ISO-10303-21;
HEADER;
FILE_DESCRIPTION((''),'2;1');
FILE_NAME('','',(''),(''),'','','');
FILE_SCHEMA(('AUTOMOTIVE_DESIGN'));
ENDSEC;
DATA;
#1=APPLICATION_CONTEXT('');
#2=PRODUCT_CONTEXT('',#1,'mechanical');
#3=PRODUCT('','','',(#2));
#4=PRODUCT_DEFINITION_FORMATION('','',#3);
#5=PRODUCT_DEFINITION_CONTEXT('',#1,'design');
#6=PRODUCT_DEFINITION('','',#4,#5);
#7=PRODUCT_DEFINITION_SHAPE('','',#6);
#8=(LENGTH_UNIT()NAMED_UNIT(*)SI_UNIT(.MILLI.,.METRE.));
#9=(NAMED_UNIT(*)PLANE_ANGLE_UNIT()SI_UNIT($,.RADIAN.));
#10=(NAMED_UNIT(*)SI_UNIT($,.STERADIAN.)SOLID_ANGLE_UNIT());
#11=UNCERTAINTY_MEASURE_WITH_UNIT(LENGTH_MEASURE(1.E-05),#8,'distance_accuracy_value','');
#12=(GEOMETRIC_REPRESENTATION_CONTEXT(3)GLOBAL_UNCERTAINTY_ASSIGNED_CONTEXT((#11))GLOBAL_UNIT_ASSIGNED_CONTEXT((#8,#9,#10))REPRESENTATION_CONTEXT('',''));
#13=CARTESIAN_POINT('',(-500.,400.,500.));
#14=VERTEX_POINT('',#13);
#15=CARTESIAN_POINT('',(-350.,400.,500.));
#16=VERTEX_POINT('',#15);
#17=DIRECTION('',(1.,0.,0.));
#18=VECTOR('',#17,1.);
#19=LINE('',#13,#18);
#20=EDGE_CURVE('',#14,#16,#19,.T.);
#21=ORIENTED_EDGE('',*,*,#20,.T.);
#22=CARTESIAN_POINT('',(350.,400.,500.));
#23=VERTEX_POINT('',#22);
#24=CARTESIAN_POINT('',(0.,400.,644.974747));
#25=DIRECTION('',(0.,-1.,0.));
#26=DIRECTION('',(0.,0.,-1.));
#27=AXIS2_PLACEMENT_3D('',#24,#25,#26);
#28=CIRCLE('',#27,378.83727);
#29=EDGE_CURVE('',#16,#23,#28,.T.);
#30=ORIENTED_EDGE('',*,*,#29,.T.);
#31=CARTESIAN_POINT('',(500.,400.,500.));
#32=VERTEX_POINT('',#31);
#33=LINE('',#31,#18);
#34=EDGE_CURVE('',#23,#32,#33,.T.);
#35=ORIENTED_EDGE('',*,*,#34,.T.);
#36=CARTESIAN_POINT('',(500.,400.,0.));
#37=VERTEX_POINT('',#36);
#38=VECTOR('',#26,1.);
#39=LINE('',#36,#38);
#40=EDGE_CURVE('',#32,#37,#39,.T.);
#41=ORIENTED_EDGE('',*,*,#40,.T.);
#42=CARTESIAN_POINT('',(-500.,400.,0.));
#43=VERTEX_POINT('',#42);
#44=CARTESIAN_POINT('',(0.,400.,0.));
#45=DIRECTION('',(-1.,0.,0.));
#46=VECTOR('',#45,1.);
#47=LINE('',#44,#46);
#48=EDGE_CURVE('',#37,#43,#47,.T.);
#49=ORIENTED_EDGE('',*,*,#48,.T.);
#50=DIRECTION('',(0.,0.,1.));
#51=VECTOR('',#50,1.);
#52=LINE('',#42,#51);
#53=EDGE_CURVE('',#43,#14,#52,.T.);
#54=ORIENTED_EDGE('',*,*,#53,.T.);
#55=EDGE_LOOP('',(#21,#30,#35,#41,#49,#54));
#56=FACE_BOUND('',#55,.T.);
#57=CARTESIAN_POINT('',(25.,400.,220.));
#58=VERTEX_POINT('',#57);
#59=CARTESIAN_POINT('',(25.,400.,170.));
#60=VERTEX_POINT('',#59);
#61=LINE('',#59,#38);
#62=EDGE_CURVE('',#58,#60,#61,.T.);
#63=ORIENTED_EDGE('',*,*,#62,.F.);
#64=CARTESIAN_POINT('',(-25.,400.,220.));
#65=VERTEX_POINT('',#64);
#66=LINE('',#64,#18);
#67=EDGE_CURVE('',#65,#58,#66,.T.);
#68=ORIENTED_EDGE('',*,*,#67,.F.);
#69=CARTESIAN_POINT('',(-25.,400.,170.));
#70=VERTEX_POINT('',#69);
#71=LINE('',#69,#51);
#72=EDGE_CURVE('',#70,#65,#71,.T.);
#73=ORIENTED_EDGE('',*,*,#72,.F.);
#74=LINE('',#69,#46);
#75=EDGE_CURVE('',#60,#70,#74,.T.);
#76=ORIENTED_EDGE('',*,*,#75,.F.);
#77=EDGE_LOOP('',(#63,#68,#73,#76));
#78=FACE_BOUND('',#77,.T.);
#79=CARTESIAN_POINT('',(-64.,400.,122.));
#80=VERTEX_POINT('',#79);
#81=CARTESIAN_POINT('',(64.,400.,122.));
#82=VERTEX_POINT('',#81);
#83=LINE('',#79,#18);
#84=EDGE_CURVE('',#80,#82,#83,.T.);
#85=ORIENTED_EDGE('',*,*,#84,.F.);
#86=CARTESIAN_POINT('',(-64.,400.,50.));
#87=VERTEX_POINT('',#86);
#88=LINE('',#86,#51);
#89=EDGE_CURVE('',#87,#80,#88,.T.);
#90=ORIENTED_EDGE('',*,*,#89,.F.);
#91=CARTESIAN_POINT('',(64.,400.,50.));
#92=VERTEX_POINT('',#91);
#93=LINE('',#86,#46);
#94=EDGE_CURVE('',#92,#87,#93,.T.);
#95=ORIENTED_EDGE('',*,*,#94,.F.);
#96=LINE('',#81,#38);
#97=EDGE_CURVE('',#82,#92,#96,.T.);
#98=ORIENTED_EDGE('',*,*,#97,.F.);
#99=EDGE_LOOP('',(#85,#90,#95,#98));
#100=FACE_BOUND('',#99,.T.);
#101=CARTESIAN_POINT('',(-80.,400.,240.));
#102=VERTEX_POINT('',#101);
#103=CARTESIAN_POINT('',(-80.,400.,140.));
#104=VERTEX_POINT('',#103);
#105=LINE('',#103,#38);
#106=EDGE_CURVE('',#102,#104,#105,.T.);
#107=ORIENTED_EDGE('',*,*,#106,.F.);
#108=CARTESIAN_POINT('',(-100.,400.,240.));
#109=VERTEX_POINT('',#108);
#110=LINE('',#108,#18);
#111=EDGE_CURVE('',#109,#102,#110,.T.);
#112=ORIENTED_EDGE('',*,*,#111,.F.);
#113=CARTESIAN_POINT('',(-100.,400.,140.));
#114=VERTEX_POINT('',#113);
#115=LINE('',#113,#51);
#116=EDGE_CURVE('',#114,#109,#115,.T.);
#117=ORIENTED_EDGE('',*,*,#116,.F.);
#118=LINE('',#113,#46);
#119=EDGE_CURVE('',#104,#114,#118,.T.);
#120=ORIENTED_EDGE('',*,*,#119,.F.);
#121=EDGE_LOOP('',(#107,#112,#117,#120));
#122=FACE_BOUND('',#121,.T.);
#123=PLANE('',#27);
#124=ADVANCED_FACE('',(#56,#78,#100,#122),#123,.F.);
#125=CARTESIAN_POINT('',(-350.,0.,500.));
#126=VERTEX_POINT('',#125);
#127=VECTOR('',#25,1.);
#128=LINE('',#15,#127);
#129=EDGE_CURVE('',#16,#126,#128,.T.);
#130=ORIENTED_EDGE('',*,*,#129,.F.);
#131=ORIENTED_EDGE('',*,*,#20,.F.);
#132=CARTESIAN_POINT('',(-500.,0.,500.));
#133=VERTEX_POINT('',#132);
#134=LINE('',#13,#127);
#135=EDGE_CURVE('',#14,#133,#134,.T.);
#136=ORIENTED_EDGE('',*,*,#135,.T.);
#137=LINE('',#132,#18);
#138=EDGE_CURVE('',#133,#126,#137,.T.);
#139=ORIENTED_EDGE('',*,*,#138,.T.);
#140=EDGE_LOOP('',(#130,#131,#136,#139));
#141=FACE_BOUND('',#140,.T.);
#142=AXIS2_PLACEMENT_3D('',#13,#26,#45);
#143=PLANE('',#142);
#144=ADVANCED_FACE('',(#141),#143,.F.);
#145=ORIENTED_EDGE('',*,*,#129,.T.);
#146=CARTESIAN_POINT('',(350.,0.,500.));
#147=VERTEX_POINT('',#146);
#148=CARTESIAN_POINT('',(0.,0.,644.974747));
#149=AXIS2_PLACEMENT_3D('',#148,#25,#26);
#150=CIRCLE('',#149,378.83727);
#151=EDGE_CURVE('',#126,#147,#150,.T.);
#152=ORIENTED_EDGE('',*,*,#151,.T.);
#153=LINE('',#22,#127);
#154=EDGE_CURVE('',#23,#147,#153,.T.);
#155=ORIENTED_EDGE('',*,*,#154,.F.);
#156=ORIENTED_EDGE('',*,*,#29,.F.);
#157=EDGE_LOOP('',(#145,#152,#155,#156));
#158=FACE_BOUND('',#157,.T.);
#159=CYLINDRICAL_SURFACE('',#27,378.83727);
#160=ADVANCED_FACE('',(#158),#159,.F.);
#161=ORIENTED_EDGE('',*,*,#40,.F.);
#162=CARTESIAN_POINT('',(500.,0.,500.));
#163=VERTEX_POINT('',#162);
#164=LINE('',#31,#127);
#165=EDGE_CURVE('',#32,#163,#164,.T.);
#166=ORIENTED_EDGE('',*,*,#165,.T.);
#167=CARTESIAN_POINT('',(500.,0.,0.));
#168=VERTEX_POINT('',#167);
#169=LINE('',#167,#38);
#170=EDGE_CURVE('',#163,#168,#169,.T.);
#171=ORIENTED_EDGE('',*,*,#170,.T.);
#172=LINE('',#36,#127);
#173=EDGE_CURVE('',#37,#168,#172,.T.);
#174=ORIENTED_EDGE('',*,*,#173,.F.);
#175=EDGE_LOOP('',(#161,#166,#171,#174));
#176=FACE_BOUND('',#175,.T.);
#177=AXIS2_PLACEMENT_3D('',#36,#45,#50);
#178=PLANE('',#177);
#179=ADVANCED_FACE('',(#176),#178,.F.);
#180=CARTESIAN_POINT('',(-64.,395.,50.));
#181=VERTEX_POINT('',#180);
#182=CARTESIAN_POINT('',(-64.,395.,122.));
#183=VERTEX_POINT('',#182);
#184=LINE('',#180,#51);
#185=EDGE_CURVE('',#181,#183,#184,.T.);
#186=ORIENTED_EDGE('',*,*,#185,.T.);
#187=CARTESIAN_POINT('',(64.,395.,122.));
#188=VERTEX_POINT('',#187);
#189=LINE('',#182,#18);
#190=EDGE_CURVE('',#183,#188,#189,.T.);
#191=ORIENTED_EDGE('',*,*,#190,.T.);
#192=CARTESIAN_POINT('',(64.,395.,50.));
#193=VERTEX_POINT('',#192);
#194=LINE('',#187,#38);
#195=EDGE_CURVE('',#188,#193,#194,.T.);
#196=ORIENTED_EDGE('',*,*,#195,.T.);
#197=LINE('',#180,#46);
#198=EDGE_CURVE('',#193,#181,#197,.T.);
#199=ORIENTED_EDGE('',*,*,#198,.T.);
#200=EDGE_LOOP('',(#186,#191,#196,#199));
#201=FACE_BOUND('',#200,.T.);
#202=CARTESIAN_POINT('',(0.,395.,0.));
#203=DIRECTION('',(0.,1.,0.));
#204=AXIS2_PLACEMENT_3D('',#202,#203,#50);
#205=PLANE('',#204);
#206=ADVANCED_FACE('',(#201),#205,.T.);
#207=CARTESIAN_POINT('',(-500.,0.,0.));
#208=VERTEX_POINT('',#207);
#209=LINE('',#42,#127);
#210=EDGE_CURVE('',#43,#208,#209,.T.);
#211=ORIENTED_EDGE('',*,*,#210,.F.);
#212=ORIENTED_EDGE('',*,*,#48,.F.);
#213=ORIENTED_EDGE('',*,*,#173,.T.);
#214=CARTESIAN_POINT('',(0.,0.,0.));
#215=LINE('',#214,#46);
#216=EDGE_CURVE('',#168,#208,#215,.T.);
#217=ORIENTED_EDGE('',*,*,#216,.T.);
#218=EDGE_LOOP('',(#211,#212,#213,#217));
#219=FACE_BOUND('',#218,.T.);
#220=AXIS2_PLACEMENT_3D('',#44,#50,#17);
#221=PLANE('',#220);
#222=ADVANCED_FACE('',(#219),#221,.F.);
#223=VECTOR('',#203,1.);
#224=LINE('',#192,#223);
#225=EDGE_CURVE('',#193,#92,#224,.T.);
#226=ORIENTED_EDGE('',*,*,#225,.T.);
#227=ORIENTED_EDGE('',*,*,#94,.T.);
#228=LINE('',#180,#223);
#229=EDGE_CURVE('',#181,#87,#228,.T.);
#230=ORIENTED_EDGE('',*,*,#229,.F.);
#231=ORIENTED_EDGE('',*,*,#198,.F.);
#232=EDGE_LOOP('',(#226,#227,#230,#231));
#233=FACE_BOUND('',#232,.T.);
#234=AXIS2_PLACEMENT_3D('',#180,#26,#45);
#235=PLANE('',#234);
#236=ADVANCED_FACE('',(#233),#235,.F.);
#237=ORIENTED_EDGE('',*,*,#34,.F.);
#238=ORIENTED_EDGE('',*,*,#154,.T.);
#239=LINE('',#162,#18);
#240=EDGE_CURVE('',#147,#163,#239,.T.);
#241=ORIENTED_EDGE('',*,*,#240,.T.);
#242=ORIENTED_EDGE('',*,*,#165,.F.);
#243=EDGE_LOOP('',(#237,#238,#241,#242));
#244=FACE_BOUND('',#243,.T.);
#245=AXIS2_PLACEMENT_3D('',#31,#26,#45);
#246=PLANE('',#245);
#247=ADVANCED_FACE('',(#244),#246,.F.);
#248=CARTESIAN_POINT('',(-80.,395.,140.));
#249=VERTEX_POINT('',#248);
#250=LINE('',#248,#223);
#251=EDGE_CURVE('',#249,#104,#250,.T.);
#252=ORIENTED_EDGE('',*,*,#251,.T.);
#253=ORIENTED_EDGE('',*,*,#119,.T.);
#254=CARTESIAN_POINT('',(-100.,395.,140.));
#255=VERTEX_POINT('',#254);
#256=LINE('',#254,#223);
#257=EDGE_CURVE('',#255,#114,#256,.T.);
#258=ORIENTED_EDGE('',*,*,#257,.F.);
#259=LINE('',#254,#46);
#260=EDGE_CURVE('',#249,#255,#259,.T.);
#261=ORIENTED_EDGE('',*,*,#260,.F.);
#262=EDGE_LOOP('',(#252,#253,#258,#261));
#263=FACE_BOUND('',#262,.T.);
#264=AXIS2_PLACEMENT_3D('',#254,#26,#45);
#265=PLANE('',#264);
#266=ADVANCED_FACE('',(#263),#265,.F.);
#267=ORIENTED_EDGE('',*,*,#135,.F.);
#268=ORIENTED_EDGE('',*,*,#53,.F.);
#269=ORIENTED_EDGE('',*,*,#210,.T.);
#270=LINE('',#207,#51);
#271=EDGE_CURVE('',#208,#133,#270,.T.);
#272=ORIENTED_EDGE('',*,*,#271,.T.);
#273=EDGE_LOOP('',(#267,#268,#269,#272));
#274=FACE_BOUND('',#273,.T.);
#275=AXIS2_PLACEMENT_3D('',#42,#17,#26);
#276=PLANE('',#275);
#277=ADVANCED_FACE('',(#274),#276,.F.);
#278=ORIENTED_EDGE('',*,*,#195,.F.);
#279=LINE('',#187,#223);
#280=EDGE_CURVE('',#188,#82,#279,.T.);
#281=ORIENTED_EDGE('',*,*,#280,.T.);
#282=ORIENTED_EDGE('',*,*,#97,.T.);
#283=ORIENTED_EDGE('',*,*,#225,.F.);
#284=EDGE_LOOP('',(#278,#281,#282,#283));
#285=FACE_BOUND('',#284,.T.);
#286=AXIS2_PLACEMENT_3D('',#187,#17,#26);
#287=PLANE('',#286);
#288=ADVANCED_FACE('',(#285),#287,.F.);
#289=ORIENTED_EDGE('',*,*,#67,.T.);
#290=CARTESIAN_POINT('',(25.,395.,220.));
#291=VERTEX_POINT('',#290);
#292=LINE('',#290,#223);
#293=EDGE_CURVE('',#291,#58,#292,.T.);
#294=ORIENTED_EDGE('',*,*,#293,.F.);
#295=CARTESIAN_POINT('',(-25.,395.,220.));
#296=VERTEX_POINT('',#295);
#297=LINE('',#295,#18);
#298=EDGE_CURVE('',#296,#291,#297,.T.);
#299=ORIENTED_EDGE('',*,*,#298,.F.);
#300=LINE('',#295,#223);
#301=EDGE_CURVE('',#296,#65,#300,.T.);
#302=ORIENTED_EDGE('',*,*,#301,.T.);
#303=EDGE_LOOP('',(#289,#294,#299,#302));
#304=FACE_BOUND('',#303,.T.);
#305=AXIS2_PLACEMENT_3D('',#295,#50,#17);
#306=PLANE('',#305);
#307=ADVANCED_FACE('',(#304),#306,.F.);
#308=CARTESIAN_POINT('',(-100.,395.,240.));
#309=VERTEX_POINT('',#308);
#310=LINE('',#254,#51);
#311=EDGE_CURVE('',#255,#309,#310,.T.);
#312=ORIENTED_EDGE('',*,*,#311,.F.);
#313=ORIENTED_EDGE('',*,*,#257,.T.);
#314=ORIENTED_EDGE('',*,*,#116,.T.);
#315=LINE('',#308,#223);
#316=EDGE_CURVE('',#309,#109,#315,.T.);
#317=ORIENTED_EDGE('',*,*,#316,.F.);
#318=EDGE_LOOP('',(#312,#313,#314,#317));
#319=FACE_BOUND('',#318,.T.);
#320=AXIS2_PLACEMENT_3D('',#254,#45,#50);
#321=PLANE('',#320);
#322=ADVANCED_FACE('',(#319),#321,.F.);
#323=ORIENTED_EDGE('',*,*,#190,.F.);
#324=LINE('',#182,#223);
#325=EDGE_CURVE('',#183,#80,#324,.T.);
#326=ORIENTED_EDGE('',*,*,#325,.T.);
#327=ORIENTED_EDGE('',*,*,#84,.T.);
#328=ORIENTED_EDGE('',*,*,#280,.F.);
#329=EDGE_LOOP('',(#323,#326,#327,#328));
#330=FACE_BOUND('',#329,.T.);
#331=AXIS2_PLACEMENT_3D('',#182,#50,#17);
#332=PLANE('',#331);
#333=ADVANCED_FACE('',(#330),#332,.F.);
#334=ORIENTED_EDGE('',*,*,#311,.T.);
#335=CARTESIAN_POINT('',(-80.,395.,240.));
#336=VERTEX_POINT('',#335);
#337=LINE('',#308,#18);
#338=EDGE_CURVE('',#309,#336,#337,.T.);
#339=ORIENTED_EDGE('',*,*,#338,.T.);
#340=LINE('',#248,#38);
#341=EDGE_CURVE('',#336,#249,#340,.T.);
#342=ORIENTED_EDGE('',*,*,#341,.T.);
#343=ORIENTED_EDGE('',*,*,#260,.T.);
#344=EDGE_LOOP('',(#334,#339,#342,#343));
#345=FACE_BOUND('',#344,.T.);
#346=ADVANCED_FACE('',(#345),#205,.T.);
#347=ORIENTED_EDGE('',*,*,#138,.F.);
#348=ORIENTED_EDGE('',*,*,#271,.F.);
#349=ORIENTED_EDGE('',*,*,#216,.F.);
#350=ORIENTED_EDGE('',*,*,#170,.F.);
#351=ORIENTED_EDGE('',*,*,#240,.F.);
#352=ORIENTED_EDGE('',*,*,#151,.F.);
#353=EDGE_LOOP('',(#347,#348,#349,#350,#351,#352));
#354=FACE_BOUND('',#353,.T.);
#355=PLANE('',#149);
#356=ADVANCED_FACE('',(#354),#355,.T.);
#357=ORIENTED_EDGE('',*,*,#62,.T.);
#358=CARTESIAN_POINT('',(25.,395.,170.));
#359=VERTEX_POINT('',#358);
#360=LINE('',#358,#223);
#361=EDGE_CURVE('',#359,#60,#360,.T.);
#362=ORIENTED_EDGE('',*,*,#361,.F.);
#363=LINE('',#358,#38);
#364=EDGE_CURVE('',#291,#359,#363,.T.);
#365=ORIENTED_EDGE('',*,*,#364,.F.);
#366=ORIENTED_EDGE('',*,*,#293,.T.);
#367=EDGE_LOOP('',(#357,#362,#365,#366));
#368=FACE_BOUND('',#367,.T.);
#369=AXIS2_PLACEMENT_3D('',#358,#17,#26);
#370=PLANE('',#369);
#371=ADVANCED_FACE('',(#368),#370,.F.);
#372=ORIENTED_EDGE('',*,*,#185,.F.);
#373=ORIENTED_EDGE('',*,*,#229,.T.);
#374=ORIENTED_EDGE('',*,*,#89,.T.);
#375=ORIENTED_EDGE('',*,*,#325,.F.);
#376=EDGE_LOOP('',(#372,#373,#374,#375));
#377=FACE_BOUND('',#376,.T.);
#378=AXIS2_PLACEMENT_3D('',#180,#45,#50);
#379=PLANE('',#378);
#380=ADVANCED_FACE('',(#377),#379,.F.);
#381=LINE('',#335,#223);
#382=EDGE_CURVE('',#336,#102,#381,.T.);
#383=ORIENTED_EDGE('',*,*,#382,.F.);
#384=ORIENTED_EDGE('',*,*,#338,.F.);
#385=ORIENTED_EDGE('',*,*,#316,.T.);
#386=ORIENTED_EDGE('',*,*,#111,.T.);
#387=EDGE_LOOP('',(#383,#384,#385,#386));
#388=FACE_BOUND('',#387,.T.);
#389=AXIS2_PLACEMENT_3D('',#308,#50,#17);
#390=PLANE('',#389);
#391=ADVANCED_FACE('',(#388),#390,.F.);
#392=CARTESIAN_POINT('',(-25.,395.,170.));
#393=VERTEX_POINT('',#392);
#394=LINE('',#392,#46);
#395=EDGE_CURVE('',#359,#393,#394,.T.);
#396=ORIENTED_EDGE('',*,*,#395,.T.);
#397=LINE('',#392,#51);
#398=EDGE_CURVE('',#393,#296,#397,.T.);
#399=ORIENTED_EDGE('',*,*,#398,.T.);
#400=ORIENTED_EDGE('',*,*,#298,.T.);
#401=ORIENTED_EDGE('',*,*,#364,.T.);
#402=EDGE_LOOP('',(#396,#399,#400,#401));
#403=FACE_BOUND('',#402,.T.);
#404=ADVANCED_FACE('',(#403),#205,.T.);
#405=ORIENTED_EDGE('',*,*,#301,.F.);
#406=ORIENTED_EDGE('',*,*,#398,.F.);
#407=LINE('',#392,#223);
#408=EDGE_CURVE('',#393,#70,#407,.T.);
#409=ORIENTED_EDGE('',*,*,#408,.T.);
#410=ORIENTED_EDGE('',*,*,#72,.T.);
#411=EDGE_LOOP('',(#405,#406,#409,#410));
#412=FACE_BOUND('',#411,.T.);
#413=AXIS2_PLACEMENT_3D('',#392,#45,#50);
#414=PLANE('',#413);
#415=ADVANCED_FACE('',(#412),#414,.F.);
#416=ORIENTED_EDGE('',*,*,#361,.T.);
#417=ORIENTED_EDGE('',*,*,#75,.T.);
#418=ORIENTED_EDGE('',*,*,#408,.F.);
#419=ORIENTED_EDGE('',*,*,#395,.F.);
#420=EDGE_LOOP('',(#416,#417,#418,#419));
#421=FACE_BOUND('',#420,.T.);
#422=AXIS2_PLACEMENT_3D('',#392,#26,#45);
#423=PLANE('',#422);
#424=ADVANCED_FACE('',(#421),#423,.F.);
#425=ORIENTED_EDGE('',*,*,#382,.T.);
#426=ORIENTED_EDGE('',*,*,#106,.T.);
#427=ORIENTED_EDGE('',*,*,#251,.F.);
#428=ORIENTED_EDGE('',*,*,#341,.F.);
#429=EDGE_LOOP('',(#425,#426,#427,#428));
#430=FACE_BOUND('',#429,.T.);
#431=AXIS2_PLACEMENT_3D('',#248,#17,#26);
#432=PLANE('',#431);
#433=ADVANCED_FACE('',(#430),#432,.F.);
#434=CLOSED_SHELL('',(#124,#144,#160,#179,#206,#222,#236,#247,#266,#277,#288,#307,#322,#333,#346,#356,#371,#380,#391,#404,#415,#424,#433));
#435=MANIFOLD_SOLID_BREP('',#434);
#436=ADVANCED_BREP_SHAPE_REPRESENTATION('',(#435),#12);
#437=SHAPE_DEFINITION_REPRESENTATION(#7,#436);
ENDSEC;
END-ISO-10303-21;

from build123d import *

# Parameters (mm, degrees)
EXTRUDE_1_DEPTH     = 400
SKETCH_2_W          = 128
SKETCH_2_H          = 72
CUT_EXTRUDE_1_DEPTH = 5
SKETCH_3_W          = 50
SKETCH_3_H          = 50
CUT_EXTRUDE_3_DEPTH = 5
SKETCH_4_W          = 20
SKETCH_4_H          = 100
CUT_EXTRUDE_4_DEPTH = 5


with BuildPart() as part:
    # 草图1 → 凸台-拉伸1 (new body)
    with BuildSketch(Plane(origin=(0, 0, 0), x_dir=(1, 0, 0), z_dir=(0, 1, 0))):
        with BuildLine():
            Line((0, 0), (500, 0))
            Line((500, 0), (500, -500))
            Line((500, -500), (350, -500))
            ThreePointArc((350, -500), (0, -266.137476728), (-350, -500))
            Line((-350, -500), (-500, -500))
            Line((-500, -500), (-500, 0))
            Line((-500, 0), (0, 0))
        make_face()
    extrude(amount=EXTRUDE_1_DEPTH)

    # 草图2 → 切除-拉伸1 (cut)
    with BuildSketch(Plane(origin=(0, 400, 0), x_dir=(1, 0, 0), z_dir=(0, 1, 0))):
        with Locations((0, -86)):
            Rectangle(SKETCH_2_W, SKETCH_2_H)
    extrude(amount=-CUT_EXTRUDE_1_DEPTH, mode=Mode.SUBTRACT)

    # 草图3 → 切除-拉伸3 (cut)
    with BuildSketch(Plane(origin=(0, 400, 0), x_dir=(1, 0, 0), z_dir=(0, 1, 0))):
        with Locations((0, -195)):
            Rectangle(SKETCH_3_W, SKETCH_3_H)
    extrude(amount=-CUT_EXTRUDE_3_DEPTH, mode=Mode.SUBTRACT)

    # 草图4 → 切除-拉伸4 (cut)
    with BuildSketch(Plane(origin=(0, 400, 0), x_dir=(1, 0, 0), z_dir=(0, 1, 0))):
        with Locations((-90, -190)):
            Rectangle(SKETCH_4_W, SKETCH_4_H)
    extrude(amount=-CUT_EXTRUDE_4_DEPTH, mode=Mode.SUBTRACT)


solid = part.part
